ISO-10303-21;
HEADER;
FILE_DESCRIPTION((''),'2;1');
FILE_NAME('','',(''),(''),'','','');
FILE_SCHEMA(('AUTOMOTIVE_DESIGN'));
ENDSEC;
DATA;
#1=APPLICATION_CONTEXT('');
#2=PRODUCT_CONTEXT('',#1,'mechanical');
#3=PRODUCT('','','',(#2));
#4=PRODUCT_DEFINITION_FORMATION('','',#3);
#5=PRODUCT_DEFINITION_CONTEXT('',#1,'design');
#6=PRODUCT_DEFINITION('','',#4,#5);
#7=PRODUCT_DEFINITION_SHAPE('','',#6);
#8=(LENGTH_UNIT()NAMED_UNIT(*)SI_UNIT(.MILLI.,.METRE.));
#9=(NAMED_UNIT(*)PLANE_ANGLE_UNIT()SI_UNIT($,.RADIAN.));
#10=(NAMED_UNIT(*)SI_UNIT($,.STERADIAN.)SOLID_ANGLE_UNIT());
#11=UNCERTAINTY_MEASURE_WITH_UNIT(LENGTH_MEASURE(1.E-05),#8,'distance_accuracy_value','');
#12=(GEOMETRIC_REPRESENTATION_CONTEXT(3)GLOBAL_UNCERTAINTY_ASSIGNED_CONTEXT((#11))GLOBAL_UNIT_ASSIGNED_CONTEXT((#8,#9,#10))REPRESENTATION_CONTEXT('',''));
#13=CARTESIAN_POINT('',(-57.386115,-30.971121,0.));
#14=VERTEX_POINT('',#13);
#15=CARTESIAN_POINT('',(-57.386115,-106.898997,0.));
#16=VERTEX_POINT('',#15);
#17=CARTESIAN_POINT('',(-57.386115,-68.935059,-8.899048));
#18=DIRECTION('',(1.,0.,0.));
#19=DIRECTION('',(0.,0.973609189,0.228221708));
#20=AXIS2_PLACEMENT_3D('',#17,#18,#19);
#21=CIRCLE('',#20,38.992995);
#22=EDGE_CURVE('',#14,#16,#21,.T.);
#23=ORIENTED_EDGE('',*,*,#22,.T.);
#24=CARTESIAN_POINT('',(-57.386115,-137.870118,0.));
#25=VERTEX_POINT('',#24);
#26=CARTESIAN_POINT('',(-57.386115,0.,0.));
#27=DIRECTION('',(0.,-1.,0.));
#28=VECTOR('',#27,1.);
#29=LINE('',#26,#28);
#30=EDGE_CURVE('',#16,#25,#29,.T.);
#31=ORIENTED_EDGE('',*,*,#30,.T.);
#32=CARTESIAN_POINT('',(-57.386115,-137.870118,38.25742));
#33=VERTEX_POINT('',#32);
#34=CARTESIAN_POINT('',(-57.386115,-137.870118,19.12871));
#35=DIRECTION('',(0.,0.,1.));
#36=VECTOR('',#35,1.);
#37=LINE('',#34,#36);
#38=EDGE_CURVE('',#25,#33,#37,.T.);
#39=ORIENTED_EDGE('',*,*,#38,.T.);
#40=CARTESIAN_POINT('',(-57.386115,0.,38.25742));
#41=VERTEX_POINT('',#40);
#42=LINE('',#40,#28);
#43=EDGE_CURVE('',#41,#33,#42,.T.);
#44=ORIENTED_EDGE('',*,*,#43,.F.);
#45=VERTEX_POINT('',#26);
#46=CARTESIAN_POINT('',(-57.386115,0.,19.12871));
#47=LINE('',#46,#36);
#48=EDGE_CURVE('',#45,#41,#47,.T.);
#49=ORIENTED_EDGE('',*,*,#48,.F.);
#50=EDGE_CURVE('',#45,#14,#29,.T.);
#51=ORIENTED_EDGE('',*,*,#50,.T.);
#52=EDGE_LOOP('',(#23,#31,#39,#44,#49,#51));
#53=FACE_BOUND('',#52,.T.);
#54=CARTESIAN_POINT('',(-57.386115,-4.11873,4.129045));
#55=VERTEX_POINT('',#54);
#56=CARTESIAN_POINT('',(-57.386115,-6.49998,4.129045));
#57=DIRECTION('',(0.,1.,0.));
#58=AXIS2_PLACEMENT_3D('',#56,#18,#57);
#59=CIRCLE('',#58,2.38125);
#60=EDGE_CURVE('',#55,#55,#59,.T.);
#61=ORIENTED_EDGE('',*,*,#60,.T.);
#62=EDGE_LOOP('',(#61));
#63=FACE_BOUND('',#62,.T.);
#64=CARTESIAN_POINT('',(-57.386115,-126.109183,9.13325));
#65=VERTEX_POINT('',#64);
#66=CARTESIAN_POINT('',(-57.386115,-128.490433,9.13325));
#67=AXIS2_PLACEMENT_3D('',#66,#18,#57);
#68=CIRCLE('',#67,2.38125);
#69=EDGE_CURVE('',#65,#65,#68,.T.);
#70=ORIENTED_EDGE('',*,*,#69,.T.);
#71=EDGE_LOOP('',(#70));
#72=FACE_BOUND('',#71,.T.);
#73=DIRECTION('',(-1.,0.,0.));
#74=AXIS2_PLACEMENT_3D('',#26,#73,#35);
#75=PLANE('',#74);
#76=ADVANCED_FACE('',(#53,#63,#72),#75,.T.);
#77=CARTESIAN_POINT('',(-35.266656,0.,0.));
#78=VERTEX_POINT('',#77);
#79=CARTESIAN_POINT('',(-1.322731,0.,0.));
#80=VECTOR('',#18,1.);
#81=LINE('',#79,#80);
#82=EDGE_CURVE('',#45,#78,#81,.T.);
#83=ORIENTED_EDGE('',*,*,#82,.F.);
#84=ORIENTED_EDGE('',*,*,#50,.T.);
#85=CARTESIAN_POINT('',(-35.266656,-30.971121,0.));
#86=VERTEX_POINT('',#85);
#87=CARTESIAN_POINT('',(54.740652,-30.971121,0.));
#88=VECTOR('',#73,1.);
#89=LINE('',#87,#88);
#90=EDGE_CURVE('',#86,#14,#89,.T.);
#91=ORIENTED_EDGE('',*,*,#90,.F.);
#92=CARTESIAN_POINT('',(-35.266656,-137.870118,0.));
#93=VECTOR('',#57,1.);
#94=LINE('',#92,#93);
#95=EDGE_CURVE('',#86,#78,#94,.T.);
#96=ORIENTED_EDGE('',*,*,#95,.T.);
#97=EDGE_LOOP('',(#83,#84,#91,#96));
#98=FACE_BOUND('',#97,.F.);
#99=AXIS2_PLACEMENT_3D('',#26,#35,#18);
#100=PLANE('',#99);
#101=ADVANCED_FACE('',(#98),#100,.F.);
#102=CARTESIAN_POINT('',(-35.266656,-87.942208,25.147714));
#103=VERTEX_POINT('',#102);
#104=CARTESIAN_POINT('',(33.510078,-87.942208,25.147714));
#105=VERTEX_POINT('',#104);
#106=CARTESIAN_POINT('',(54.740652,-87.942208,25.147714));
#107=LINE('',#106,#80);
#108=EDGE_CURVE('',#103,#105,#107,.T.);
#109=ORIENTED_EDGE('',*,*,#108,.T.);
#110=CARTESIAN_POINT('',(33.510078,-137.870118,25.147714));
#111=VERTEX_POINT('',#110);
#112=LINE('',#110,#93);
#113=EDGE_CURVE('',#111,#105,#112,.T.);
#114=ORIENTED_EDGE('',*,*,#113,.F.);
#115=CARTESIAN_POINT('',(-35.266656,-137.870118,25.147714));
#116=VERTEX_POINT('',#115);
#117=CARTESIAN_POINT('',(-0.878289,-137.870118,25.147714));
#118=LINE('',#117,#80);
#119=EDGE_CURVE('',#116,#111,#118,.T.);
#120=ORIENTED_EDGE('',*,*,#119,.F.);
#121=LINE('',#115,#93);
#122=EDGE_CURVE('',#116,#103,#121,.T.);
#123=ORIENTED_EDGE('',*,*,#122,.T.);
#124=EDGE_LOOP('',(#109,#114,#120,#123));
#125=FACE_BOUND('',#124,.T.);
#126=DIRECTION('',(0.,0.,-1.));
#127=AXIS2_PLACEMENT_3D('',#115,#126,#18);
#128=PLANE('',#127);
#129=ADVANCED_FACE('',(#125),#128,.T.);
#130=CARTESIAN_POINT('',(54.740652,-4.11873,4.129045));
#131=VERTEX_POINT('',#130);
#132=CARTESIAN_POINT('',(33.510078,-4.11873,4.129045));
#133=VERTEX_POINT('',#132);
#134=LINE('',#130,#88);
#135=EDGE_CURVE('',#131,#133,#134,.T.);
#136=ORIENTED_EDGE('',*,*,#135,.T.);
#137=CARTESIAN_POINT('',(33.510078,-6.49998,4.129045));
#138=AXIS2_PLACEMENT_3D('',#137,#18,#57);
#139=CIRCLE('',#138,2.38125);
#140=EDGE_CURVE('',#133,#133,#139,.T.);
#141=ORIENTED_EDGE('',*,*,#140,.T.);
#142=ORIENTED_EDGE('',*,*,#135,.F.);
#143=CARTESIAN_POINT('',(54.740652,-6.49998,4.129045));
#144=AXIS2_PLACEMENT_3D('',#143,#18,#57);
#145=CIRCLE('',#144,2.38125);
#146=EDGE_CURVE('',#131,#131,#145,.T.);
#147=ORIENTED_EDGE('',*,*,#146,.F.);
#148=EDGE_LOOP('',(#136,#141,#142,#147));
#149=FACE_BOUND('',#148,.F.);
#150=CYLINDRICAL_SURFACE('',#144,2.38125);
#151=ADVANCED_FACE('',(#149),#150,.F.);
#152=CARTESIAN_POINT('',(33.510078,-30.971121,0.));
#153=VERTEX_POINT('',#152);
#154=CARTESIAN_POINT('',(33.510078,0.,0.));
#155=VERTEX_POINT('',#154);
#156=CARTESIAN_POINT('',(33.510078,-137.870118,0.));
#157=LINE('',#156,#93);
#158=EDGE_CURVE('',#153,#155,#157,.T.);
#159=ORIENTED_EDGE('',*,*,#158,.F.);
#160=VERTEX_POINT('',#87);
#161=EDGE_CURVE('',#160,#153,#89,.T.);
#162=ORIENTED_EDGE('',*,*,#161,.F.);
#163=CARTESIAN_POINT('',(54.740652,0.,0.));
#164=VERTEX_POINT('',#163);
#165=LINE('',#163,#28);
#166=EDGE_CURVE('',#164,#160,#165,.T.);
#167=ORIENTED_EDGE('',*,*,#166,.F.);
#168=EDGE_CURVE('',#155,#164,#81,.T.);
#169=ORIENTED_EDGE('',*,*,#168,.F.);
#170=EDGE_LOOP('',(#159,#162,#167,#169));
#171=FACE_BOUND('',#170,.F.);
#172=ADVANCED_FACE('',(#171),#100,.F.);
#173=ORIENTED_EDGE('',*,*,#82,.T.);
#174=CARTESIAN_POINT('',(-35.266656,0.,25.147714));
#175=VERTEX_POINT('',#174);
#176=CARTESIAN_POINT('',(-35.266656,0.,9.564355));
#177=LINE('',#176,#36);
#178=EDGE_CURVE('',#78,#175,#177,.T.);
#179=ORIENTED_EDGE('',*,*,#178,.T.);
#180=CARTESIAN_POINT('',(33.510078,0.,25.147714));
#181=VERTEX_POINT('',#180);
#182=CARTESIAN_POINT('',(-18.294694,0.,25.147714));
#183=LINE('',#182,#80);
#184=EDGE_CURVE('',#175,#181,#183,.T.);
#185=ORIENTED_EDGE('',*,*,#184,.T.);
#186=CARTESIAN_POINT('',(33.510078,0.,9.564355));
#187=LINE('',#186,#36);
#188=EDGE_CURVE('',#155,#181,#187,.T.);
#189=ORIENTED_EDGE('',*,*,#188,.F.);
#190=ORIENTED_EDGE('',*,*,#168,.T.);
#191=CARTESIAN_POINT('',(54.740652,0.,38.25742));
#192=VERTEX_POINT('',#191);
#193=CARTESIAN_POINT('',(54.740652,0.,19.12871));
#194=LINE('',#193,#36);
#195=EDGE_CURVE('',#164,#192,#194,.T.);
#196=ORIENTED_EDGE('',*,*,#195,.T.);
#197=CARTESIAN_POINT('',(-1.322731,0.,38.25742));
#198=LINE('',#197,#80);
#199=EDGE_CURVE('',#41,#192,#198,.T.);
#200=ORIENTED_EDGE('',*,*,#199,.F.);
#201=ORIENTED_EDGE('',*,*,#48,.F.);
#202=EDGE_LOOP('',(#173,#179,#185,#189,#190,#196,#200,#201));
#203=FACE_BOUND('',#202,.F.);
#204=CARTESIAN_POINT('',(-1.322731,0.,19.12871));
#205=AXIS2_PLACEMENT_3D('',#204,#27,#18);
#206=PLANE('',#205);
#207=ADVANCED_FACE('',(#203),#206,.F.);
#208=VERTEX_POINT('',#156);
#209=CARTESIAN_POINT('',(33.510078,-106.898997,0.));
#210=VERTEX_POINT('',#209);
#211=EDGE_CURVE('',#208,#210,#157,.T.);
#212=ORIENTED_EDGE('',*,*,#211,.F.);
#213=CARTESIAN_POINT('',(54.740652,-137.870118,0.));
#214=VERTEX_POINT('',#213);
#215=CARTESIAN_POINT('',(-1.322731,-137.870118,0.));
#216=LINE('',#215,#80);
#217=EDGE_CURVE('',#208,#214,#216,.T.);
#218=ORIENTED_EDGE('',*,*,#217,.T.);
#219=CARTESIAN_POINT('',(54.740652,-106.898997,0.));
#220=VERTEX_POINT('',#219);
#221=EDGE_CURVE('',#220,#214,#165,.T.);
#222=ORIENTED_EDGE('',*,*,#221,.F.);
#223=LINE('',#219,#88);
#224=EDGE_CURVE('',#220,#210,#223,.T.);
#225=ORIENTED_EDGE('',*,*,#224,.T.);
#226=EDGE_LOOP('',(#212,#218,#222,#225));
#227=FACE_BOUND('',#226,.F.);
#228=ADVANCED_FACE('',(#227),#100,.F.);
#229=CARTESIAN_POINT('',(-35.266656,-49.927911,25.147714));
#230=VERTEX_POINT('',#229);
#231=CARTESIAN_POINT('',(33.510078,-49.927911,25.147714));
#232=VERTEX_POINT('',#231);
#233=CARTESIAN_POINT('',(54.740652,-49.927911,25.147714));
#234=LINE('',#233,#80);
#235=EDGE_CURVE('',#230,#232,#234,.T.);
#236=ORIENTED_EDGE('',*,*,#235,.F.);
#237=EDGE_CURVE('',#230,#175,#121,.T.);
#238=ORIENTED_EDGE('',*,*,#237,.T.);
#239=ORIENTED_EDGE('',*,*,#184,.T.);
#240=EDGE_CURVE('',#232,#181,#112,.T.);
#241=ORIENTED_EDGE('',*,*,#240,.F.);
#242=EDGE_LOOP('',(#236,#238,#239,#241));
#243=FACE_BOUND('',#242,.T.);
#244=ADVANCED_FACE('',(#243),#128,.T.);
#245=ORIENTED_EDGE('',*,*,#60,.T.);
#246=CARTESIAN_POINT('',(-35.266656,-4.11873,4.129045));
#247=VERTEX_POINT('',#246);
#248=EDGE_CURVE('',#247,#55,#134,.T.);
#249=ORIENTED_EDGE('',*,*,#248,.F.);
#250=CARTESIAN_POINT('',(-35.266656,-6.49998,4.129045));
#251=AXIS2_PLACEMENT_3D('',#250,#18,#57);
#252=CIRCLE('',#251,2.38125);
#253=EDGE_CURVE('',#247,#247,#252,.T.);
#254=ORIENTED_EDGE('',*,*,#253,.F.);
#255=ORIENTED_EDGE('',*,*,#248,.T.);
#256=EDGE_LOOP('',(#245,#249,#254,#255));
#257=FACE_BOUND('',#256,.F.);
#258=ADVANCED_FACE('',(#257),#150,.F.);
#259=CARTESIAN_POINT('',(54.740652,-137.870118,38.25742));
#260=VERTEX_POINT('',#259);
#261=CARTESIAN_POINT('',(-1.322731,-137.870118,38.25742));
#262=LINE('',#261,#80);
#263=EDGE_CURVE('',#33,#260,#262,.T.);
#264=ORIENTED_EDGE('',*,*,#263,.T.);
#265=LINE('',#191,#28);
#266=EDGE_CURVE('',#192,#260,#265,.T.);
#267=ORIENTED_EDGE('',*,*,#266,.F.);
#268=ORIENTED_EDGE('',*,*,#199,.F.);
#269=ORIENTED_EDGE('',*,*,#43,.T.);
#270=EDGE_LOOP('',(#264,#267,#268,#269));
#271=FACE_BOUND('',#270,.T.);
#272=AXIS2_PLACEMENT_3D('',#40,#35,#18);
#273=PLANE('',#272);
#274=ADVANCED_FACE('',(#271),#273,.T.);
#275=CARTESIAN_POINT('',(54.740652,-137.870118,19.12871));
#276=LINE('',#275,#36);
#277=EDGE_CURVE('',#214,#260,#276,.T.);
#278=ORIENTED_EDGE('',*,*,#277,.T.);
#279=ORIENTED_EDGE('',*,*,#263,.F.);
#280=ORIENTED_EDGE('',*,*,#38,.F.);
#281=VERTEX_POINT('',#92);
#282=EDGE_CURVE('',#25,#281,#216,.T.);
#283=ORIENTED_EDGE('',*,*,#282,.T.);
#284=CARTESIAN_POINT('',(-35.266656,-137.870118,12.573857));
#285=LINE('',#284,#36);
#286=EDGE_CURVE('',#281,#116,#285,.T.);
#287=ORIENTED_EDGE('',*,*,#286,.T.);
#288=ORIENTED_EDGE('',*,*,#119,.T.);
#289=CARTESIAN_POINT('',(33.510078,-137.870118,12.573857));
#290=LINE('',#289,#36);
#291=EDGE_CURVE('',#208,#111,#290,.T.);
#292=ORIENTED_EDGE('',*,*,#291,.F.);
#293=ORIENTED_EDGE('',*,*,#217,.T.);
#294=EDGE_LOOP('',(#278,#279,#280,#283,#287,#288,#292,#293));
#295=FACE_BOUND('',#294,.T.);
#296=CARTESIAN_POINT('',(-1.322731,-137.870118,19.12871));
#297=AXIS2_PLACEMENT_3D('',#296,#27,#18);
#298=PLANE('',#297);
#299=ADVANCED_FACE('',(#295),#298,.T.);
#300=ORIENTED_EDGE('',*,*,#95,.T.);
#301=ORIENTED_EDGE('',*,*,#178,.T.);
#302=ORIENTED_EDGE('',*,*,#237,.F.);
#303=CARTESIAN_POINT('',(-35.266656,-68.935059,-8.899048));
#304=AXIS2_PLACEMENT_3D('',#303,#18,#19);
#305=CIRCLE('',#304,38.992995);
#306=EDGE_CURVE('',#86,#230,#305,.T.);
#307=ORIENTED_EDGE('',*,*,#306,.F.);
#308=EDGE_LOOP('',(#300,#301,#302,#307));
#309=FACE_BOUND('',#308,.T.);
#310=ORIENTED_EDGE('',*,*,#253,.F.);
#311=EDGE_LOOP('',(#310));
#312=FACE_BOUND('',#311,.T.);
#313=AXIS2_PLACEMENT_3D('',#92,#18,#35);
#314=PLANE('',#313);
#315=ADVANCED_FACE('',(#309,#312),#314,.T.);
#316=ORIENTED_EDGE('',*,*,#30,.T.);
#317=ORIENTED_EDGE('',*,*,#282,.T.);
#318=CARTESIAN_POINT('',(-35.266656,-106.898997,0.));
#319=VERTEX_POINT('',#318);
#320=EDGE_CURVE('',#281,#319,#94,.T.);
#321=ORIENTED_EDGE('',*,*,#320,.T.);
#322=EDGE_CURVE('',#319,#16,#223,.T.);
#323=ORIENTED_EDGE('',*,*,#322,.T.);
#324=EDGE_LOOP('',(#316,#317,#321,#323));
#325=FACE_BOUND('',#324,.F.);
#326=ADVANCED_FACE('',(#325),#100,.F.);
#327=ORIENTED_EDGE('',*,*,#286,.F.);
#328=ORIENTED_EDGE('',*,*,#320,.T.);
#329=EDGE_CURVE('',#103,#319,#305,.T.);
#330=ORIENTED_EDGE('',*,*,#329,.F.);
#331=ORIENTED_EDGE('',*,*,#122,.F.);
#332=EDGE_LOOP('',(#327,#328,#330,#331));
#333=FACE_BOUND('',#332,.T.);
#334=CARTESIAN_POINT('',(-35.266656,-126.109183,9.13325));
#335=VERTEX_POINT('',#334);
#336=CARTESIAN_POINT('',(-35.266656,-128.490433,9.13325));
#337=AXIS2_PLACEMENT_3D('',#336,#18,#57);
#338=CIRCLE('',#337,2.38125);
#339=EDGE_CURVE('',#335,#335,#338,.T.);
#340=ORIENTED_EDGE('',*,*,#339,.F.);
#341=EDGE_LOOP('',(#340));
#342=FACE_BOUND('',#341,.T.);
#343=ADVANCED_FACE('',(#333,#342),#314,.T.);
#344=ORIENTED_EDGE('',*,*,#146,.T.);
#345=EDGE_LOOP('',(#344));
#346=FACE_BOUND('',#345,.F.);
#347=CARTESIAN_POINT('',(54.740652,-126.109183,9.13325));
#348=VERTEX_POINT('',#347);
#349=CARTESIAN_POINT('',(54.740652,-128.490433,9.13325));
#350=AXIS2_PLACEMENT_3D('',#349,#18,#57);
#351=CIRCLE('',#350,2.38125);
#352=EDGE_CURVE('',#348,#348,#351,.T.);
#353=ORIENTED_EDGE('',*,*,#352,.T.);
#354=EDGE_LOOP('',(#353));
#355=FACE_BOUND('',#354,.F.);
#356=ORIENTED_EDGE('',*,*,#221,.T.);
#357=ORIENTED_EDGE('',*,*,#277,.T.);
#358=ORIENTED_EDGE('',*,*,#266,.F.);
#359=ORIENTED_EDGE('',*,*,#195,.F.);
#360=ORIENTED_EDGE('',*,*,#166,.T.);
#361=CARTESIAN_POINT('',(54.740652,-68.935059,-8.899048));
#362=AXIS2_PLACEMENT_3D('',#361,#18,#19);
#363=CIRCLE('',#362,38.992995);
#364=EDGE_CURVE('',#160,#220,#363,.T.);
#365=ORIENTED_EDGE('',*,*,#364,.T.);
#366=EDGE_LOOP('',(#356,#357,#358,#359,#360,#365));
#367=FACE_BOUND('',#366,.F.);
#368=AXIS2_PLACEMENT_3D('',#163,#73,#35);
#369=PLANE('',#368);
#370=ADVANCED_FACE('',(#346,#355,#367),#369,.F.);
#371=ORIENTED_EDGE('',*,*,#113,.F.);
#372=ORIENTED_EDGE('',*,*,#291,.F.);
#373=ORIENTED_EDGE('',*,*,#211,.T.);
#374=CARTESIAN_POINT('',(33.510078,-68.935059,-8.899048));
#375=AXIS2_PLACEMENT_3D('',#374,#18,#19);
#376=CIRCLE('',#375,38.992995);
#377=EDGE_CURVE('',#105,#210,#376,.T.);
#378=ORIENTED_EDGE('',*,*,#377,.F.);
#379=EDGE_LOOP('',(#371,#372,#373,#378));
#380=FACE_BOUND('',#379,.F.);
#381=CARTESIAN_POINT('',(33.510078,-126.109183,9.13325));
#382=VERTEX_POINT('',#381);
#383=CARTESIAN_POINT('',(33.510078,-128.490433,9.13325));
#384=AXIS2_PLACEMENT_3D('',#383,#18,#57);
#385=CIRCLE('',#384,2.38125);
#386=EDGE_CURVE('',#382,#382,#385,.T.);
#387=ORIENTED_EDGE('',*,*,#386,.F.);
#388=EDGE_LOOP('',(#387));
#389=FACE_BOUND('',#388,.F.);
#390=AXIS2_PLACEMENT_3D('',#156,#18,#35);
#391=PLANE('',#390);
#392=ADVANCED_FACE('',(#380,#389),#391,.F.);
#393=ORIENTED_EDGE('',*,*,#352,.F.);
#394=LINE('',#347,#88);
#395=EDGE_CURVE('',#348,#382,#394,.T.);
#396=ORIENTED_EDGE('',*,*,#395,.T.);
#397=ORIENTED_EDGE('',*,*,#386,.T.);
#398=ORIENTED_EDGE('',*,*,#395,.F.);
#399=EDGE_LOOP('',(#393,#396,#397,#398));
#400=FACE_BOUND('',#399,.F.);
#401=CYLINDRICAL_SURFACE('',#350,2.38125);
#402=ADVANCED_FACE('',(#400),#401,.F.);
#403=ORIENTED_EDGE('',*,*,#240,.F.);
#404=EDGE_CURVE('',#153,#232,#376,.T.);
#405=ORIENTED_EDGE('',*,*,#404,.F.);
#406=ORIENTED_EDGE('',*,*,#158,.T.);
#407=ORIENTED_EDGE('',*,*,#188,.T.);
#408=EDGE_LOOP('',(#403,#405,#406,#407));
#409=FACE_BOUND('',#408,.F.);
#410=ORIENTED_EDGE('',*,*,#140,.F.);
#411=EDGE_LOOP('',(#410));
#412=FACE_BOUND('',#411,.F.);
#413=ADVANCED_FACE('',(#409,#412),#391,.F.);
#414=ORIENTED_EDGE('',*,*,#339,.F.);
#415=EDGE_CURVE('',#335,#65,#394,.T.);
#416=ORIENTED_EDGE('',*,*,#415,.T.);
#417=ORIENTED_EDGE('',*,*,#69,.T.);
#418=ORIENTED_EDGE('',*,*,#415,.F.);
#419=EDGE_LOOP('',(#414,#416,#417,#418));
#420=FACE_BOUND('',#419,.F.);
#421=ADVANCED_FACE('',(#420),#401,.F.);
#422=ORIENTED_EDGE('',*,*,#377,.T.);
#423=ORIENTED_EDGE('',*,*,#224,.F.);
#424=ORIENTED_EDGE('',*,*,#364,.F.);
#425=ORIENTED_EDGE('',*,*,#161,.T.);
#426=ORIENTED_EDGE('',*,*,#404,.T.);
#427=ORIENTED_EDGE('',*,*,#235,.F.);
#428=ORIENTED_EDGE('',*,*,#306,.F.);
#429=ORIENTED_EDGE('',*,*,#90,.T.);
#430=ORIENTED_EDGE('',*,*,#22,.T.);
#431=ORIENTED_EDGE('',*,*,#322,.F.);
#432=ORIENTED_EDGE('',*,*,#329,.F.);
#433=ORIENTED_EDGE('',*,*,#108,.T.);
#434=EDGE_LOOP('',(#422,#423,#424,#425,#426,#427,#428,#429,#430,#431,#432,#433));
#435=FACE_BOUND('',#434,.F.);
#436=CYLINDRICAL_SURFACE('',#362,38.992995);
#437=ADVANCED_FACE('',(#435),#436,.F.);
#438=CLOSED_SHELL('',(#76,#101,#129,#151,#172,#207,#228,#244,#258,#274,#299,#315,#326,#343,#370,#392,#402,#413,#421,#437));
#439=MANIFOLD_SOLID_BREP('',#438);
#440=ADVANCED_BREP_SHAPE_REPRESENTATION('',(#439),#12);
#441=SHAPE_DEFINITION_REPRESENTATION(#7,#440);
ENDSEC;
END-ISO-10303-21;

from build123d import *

# Parameters (mm, degrees)
F0_W     = 112.1267676353
F0_H     = 38.257420063
F1_DEPTH = 137.870118022
F2_W     = 68.7767341733
F2_H     = 25.1477137208
F3_DEPTH = 137.871118022
F4_R     = 2.38125
F5_DEPTH = 112.1277676353
F6_R     = 2.38125
F7_DEPTH = 112.1277676353
F9_DEPTH = 112.1277676353


with BuildPart() as f1:
    # F0 (on Front) → F1 (new body)
    with BuildSketch(Plane.XZ):
        with Locations((-1.3227313757, 19.1287100315)):
            Rectangle(F0_W, F0_H)
    extrude(amount=F1_DEPTH)

    # F2 (on face) → F3 (cut, through all)
    with BuildSketch(Plane.XZ.offset(137.870118022)):
        with Locations((-0.8782893419, 12.5738568604)):
            Rectangle(F2_W, F2_H)
    extrude(amount=-F3_DEPTH, mode=Mode.SUBTRACT)

    # F4 (on face) → F5 (cut, through all)
    with BuildSketch(Plane.YZ.offset(54.740652442)):
        with Locations((-128.4904330969, 9.1332495213)):
            Circle(F4_R)
    extrude(amount=-F5_DEPTH, mode=Mode.SUBTRACT)

    # F6 (on face) → F7 (cut, through all)
    with BuildSketch(Plane.YZ.offset(54.740652442)):
        with Locations((-6.499979645, 4.1290447116)):
            Circle(F6_R)
    extrude(amount=-F7_DEPTH, mode=Mode.SUBTRACT)

    # F8 (on face) → F9 (cut, through all)
    with BuildSketch(Plane.YZ.offset(54.740652442)):
        with BuildLine():
            Line((-106.8989974441, 0), (-30.9711205779, 0))
            ThreePointArc((-30.9711205779, 0), (-68.935059011, 30.0939472481), (-106.8989974441, 0))
        make_face()
    extrude(amount=-F9_DEPTH, mode=Mode.SUBTRACT)


solid = f1.part
